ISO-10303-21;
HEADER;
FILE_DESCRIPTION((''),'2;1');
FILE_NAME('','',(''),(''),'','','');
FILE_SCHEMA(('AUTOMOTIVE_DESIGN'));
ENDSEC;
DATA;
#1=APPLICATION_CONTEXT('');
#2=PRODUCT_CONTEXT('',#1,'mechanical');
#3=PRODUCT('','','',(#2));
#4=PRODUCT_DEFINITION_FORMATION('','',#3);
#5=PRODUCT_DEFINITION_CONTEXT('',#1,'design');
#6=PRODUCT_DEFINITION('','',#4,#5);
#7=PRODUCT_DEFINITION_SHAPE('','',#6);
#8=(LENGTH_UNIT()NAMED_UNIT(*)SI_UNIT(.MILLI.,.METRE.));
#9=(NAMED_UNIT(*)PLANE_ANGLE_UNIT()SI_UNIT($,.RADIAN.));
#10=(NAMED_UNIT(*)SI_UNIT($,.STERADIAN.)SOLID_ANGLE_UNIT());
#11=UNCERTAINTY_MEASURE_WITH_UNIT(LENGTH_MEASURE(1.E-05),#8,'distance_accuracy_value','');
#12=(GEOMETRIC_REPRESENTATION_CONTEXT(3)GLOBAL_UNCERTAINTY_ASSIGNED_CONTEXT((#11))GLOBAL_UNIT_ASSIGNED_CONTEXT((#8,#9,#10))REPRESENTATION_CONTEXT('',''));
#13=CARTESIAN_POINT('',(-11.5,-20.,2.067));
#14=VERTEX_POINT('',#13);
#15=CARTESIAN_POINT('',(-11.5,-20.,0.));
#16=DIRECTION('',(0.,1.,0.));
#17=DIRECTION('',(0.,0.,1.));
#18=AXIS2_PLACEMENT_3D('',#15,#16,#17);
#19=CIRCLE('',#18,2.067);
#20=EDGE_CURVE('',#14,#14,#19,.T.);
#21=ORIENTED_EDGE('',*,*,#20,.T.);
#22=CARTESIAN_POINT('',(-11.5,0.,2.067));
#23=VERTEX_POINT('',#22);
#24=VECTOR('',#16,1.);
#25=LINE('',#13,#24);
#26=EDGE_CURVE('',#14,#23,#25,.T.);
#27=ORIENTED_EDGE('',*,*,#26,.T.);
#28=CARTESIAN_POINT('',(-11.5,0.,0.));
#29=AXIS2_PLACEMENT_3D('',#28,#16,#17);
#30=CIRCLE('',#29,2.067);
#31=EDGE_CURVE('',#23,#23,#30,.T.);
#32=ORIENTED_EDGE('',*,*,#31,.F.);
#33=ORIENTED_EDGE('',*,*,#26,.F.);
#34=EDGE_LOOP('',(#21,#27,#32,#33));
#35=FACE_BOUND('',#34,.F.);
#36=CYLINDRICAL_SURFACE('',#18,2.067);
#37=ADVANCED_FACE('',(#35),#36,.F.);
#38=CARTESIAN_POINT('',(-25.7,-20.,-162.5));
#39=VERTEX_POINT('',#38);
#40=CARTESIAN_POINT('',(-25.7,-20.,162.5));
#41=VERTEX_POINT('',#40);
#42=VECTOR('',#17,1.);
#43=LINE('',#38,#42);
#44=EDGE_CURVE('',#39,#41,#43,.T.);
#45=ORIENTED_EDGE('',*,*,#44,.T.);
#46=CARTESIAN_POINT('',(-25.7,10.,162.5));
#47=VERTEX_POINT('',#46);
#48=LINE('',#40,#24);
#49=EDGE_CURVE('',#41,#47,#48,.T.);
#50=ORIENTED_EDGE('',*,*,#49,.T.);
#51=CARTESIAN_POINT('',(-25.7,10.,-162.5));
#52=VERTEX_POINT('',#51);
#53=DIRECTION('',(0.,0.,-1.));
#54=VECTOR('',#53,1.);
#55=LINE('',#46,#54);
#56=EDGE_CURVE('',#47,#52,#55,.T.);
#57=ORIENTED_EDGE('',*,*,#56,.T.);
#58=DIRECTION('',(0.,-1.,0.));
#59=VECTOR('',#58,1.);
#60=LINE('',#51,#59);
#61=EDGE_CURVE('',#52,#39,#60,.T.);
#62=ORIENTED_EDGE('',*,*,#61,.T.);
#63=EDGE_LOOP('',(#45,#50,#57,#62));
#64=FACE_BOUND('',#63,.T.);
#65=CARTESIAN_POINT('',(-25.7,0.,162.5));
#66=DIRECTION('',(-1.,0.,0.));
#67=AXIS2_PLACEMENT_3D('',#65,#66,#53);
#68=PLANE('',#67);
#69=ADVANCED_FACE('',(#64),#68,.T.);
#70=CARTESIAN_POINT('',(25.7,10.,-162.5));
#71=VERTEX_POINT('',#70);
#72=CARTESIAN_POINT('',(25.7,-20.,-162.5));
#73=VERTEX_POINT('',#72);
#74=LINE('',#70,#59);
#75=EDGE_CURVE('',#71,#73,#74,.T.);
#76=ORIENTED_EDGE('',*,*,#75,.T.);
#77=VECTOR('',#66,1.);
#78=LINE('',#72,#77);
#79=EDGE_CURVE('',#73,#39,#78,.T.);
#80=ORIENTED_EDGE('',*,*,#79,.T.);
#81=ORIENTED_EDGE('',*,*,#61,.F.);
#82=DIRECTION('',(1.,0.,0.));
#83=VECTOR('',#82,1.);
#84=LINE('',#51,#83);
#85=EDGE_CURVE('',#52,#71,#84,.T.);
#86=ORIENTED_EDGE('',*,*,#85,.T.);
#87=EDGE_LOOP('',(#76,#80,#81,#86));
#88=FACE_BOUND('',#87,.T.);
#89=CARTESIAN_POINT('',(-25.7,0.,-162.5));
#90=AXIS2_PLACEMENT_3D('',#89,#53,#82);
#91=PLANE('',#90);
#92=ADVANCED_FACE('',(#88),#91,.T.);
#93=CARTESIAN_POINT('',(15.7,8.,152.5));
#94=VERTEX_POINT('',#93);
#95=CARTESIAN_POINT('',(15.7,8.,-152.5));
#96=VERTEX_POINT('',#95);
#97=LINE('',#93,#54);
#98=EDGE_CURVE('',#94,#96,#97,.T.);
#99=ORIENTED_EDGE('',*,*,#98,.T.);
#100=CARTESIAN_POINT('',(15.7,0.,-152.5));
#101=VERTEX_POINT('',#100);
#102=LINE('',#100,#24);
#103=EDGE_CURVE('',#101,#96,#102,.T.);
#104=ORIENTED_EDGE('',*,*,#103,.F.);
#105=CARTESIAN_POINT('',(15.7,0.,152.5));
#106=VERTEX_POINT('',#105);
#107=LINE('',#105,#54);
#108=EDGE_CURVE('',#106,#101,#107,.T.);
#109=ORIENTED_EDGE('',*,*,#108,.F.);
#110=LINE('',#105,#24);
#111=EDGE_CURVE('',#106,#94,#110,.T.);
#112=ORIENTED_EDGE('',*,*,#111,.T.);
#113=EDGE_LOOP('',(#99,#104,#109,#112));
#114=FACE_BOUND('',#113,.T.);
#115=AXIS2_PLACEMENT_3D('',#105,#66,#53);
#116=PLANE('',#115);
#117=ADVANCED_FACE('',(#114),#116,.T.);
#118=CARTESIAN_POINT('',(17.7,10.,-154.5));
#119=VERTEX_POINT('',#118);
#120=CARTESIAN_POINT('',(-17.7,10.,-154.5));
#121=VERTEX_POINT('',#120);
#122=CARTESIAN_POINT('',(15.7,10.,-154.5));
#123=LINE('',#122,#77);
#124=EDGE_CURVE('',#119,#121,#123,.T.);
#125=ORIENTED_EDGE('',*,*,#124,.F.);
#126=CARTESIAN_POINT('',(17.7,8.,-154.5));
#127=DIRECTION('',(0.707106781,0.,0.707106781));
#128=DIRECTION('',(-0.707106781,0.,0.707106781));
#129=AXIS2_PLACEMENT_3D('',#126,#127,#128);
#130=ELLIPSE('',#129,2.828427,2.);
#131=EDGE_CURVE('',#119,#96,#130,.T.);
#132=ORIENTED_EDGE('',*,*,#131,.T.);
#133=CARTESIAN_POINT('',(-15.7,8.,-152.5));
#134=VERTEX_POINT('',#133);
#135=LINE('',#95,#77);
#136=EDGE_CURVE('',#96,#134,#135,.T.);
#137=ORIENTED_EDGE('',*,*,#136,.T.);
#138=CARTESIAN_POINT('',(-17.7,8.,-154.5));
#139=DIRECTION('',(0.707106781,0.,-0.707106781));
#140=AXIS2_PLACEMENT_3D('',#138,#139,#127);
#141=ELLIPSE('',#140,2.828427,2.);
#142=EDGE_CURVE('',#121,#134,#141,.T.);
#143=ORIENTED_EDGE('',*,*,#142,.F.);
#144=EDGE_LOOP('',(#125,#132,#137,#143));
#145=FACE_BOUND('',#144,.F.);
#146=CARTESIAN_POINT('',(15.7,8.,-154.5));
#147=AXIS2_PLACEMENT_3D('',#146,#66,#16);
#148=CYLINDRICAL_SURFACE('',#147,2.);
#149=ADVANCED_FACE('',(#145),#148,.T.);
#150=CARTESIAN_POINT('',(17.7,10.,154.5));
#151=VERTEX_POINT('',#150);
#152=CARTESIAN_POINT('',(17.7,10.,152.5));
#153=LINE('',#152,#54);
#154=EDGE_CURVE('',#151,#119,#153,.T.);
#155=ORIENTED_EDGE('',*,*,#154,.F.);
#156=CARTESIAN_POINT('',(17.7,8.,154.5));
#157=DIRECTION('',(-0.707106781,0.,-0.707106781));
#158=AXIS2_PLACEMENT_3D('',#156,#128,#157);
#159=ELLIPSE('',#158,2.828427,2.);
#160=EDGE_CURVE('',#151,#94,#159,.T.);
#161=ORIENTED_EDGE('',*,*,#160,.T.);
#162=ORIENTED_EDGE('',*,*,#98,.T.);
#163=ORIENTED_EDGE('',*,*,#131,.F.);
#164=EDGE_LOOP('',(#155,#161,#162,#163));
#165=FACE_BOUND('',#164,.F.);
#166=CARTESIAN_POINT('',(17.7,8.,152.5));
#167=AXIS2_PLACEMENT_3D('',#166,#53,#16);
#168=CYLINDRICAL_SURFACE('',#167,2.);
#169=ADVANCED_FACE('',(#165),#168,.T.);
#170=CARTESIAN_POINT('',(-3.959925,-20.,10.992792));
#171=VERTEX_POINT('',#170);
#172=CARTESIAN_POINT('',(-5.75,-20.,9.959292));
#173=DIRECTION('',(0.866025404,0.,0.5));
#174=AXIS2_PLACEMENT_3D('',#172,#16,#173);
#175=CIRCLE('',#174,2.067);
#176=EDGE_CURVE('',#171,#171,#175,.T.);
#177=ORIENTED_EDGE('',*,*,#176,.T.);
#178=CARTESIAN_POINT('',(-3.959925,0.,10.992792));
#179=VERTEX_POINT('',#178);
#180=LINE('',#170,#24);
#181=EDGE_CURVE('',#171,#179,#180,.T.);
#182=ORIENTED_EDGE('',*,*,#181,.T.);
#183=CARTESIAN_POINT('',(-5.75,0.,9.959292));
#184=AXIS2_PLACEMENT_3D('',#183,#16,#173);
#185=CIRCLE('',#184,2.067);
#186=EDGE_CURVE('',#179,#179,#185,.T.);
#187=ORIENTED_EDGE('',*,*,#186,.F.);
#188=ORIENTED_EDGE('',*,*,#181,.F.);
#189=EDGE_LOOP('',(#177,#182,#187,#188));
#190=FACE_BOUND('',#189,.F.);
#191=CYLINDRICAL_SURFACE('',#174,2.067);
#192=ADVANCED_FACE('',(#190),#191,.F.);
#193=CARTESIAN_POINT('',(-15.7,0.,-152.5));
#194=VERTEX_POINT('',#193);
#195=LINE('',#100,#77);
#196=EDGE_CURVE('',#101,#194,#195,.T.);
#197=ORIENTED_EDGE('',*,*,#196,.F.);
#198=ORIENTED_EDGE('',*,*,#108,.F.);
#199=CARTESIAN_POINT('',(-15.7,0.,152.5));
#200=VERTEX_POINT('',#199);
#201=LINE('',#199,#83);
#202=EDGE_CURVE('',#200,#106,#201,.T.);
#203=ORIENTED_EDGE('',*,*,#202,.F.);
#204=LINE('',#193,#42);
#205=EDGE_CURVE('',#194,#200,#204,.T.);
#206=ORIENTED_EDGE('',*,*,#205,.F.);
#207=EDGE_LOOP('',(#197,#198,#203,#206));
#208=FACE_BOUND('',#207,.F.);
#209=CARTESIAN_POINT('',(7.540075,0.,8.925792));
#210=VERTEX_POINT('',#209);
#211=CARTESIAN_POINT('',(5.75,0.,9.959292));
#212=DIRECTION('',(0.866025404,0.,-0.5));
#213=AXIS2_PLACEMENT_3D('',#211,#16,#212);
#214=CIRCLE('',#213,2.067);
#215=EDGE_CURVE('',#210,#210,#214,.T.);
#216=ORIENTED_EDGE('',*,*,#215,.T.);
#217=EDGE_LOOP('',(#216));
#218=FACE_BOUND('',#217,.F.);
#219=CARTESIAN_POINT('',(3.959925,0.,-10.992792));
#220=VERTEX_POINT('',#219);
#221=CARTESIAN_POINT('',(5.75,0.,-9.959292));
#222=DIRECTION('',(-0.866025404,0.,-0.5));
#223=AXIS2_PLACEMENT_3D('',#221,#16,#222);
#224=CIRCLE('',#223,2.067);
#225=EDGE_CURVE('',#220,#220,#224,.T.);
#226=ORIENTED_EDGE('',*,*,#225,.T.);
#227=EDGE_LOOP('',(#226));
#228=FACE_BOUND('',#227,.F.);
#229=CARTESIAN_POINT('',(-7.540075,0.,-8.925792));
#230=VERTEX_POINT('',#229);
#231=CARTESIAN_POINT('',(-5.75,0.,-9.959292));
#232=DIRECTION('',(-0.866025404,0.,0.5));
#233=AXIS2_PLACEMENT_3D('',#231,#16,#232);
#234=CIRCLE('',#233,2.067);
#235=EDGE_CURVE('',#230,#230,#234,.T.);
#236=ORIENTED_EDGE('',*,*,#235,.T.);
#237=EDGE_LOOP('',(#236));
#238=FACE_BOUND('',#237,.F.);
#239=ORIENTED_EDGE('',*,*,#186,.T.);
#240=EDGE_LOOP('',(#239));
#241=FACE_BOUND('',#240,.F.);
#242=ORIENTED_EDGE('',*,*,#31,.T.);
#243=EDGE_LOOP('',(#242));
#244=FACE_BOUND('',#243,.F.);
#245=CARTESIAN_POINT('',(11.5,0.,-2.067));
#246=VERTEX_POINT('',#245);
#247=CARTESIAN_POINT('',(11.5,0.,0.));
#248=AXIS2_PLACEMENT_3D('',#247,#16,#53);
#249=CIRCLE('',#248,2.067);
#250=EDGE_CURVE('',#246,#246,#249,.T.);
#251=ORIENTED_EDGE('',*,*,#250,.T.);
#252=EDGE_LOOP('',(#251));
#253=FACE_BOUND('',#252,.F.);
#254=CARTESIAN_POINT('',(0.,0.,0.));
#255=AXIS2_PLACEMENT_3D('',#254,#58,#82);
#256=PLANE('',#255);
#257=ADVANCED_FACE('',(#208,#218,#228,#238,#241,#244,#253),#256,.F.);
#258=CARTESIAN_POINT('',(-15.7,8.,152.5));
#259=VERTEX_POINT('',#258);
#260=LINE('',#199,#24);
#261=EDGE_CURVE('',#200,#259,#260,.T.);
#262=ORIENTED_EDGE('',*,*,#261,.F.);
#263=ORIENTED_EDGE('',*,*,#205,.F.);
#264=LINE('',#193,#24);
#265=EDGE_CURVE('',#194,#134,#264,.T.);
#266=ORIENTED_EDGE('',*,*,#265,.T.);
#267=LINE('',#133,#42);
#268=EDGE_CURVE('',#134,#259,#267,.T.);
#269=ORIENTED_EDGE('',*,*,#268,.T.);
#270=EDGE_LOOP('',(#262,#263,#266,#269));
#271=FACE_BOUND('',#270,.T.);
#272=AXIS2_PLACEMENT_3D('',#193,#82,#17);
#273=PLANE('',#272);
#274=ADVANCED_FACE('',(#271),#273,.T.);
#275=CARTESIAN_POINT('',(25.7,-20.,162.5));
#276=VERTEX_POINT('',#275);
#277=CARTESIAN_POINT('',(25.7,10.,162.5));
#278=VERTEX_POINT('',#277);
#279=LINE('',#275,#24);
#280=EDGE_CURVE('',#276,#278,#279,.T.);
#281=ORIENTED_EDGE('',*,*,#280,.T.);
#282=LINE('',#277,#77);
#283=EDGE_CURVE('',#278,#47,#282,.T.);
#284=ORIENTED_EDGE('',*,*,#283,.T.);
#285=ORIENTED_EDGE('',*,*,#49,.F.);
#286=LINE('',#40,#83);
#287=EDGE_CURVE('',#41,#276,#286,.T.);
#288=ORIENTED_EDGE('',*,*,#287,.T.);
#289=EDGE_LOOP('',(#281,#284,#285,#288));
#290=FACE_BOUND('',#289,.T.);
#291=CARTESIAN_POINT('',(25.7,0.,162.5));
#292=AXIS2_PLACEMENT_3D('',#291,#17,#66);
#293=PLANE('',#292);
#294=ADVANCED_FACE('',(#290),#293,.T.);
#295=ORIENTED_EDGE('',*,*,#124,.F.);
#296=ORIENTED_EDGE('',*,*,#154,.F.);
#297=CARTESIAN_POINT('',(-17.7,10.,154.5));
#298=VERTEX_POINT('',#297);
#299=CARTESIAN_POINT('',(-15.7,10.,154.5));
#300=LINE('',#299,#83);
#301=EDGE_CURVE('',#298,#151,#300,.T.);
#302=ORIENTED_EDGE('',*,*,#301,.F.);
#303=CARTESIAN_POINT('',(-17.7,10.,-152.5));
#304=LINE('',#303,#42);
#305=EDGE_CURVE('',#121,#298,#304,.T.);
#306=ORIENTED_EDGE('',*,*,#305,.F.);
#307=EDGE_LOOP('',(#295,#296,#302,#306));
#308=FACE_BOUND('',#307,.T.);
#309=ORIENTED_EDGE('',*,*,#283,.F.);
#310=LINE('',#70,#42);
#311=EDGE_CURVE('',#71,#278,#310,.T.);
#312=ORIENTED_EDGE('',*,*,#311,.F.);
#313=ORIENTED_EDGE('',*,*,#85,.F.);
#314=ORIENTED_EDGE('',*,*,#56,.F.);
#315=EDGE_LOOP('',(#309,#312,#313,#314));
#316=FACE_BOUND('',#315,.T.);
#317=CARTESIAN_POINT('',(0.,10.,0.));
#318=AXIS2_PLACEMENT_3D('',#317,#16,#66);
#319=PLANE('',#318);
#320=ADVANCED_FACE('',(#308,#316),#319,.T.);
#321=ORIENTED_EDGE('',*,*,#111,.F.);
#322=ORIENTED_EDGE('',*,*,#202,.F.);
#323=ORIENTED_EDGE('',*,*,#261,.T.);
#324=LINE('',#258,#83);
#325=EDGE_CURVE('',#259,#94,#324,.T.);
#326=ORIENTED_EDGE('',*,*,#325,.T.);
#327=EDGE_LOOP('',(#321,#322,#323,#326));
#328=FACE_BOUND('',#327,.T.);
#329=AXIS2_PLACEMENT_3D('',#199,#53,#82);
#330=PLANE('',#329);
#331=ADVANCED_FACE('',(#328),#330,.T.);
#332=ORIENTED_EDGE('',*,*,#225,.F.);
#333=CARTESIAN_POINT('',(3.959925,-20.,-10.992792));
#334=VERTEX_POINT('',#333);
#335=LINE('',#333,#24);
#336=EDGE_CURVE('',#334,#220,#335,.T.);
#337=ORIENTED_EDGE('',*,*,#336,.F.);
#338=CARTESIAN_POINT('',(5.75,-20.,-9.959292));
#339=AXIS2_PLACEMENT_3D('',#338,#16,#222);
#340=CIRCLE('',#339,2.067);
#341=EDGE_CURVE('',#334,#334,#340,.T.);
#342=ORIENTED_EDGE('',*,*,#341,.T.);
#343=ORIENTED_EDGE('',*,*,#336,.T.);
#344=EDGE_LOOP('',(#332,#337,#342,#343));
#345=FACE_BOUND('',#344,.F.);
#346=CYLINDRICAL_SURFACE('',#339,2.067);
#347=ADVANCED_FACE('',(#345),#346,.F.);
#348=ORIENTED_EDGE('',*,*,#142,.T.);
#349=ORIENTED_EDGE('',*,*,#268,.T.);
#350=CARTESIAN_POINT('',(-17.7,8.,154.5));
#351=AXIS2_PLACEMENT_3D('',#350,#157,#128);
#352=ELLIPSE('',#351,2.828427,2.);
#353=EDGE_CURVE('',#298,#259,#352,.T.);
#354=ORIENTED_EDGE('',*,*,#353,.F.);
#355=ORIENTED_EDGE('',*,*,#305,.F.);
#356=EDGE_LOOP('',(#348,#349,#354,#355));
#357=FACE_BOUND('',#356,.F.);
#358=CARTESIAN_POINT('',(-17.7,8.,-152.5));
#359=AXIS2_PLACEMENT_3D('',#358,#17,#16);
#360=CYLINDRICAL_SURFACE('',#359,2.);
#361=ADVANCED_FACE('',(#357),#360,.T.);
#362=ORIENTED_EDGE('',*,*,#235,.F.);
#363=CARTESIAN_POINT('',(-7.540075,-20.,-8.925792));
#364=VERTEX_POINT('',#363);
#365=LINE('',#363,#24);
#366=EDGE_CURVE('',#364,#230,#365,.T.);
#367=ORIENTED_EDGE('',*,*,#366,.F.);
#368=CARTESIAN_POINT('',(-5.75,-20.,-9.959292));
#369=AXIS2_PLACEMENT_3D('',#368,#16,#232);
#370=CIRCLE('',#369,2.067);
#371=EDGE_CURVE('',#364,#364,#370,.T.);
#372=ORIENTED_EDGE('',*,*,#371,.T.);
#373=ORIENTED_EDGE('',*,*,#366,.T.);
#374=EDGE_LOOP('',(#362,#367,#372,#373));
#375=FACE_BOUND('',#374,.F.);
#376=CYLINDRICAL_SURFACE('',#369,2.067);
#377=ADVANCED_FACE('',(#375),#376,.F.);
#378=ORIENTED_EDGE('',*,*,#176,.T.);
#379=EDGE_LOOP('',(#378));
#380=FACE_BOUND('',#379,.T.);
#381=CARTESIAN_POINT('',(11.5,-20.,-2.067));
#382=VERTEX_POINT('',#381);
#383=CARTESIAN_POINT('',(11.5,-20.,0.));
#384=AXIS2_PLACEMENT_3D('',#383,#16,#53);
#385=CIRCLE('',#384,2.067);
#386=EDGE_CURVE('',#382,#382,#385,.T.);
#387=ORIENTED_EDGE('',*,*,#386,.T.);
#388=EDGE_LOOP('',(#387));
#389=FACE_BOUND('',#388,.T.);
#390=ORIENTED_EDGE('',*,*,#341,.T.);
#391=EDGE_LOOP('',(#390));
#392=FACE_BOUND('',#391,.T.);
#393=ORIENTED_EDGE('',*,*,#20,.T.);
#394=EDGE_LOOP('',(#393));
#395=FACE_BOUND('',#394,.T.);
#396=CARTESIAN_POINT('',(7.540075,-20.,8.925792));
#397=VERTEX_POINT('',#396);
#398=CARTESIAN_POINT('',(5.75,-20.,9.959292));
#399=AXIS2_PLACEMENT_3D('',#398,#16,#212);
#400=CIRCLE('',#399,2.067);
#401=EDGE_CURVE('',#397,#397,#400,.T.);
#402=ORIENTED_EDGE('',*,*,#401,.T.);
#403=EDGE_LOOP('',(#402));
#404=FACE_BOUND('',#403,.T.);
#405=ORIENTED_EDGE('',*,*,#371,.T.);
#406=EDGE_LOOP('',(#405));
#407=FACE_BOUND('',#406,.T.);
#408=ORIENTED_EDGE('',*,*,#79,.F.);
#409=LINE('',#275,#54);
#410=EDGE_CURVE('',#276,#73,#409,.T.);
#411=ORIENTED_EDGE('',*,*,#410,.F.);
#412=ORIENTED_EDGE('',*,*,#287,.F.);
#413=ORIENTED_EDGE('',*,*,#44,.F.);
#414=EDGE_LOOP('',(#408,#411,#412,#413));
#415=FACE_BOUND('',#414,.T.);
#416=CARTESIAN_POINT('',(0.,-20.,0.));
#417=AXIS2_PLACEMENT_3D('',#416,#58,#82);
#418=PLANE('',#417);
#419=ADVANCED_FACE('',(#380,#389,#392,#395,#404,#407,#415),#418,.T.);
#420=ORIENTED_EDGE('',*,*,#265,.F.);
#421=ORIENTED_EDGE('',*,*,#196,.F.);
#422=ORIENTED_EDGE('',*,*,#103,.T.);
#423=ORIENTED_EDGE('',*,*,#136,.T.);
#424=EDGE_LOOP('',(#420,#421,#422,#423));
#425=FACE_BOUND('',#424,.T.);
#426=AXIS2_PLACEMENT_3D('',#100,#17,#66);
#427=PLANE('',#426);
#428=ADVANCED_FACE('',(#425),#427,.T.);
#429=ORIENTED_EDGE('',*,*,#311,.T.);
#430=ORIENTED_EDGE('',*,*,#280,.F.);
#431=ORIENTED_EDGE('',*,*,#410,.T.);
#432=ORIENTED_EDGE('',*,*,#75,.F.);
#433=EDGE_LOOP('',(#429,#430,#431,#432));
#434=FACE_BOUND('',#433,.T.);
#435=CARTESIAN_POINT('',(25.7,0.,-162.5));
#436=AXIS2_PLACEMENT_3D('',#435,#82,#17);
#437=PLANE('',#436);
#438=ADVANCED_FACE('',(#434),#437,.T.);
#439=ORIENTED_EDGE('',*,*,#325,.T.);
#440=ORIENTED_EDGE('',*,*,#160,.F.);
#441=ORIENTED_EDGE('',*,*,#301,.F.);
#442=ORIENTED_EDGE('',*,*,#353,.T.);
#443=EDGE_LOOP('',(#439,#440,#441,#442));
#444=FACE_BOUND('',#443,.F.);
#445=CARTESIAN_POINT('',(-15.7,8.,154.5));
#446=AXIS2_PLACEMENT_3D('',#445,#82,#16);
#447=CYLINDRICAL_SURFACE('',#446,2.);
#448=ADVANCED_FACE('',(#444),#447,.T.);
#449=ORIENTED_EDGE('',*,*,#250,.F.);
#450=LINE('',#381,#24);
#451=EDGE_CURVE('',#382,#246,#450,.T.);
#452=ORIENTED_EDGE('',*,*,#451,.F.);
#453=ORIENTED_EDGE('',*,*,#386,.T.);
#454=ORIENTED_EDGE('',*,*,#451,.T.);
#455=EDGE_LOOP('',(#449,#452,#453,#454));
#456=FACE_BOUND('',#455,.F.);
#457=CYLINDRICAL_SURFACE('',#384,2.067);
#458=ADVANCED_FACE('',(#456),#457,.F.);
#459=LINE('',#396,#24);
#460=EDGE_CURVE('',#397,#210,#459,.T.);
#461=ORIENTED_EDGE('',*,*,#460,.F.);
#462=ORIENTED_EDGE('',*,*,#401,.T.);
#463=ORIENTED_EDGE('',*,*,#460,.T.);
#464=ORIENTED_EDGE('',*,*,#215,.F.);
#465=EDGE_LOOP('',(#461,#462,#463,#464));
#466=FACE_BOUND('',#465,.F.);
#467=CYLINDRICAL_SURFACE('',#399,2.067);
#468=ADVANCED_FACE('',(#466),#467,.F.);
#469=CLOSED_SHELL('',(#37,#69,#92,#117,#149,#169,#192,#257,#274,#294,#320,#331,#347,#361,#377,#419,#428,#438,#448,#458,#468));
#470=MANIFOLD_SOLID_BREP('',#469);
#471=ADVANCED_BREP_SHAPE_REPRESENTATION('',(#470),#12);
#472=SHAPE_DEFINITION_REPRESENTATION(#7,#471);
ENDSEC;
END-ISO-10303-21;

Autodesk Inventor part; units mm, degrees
ref_plane "YZ Plane" through (0, 0, 0) normal (1, 0, 0) x (0, 1, 0)
ref_plane "XZ Plane" through (0, 0, 0) normal (0, 1, 0) x (-1, 0, 0)
ref_plane "XY Plane" through (0, 0, 0) normal (0, 0, 1) x (1, 0, 0)
sketch "Sketch1" plane through (0, 0, 0) normal (0, 1, 0) x (-1, 0, 0)
  line L0 (-15.7, -152.5) -> (15.7, -152.5)
  line L1 (15.7, -152.5) -> (15.7, 152.5)
  line L2 (15.7, 152.5) -> (-15.7, 152.5)
  line L3 (-15.7, 152.5) -> (-15.7, -152.5)
  line L4 (-15.7, -152.5) -> (15.7, 152.5) construction
  line L5 (15.7, -152.5) -> (-15.7, 152.5) construction
  line L6 (25.7, 162.5) -> (25.7, -162.5)
  line L7 (25.7, -162.5) -> (-25.7, -162.5)
  line L8 (-25.7, -162.5) -> (-25.7, 162.5)
  line L9 (-25.7, 162.5) -> (25.7, 162.5)
  point P0 (0, 0)
  dimension "d0" = 31.4
  dimension "d1" = 305
  dimension "d2" = 10
extrude "Extrusion1" add sketch "Sketch1" along normal blind 10
sketch "Sketch2" plane through (0, 0, 0) normal (0, -1, 0) x (1, 0, 0)
  line L0 (25.7, 162.5) -> (25.7, -162.5) projected
  line L1 (-25.7, 162.5) -> (25.7, 162.5) projected
  line L2 (-25.7, -162.5) -> (-25.7, 162.5) projected
  line L3 (25.7, -162.5) -> (-25.7, -162.5) projected
  line L4 (-15.7, 152.5) -> (-15.7, -152.5) projected
  line L5 (15.7, 152.5) -> (-15.7, 152.5) projected
  line L6 (15.7, -152.5) -> (15.7, 152.5) projected
  line L7 (-15.7, -152.5) -> (15.7, -152.5) projected
  point P0 (0, 0)
extrude "Extrusion2" add sketch "Sketch2" along normal blind 20 contours L0 L3 L2 L1 | L5 L6 L7 L4
sketch "Sketch4" plane through (0, -20, 0) normal (0, -1, 0) x (1, 0, 0)
  point P0 (0, 0)
  point P1 (11.5, 0)
  dimension "d14" = 11.5
hole "Hole2" at (11.5, -20, 0) direction (0, 1, 0) diameter 4.134 end through all thread size "M5x0.8" class "6H" standard "ANSI Metric M Profile"
pattern_circular "Circular Pattern1" count 6 over 360 about axis through (0, -10, 0) along (0, 1, 0) of "Hole2"
fillet "Fillet1" radius 2 4 edges at (-15.7, 10, 0) (0, 10, -152.5) (15.7, 10, 0) (0, 10, 152.5)
properties part number "enclosure_btm"
